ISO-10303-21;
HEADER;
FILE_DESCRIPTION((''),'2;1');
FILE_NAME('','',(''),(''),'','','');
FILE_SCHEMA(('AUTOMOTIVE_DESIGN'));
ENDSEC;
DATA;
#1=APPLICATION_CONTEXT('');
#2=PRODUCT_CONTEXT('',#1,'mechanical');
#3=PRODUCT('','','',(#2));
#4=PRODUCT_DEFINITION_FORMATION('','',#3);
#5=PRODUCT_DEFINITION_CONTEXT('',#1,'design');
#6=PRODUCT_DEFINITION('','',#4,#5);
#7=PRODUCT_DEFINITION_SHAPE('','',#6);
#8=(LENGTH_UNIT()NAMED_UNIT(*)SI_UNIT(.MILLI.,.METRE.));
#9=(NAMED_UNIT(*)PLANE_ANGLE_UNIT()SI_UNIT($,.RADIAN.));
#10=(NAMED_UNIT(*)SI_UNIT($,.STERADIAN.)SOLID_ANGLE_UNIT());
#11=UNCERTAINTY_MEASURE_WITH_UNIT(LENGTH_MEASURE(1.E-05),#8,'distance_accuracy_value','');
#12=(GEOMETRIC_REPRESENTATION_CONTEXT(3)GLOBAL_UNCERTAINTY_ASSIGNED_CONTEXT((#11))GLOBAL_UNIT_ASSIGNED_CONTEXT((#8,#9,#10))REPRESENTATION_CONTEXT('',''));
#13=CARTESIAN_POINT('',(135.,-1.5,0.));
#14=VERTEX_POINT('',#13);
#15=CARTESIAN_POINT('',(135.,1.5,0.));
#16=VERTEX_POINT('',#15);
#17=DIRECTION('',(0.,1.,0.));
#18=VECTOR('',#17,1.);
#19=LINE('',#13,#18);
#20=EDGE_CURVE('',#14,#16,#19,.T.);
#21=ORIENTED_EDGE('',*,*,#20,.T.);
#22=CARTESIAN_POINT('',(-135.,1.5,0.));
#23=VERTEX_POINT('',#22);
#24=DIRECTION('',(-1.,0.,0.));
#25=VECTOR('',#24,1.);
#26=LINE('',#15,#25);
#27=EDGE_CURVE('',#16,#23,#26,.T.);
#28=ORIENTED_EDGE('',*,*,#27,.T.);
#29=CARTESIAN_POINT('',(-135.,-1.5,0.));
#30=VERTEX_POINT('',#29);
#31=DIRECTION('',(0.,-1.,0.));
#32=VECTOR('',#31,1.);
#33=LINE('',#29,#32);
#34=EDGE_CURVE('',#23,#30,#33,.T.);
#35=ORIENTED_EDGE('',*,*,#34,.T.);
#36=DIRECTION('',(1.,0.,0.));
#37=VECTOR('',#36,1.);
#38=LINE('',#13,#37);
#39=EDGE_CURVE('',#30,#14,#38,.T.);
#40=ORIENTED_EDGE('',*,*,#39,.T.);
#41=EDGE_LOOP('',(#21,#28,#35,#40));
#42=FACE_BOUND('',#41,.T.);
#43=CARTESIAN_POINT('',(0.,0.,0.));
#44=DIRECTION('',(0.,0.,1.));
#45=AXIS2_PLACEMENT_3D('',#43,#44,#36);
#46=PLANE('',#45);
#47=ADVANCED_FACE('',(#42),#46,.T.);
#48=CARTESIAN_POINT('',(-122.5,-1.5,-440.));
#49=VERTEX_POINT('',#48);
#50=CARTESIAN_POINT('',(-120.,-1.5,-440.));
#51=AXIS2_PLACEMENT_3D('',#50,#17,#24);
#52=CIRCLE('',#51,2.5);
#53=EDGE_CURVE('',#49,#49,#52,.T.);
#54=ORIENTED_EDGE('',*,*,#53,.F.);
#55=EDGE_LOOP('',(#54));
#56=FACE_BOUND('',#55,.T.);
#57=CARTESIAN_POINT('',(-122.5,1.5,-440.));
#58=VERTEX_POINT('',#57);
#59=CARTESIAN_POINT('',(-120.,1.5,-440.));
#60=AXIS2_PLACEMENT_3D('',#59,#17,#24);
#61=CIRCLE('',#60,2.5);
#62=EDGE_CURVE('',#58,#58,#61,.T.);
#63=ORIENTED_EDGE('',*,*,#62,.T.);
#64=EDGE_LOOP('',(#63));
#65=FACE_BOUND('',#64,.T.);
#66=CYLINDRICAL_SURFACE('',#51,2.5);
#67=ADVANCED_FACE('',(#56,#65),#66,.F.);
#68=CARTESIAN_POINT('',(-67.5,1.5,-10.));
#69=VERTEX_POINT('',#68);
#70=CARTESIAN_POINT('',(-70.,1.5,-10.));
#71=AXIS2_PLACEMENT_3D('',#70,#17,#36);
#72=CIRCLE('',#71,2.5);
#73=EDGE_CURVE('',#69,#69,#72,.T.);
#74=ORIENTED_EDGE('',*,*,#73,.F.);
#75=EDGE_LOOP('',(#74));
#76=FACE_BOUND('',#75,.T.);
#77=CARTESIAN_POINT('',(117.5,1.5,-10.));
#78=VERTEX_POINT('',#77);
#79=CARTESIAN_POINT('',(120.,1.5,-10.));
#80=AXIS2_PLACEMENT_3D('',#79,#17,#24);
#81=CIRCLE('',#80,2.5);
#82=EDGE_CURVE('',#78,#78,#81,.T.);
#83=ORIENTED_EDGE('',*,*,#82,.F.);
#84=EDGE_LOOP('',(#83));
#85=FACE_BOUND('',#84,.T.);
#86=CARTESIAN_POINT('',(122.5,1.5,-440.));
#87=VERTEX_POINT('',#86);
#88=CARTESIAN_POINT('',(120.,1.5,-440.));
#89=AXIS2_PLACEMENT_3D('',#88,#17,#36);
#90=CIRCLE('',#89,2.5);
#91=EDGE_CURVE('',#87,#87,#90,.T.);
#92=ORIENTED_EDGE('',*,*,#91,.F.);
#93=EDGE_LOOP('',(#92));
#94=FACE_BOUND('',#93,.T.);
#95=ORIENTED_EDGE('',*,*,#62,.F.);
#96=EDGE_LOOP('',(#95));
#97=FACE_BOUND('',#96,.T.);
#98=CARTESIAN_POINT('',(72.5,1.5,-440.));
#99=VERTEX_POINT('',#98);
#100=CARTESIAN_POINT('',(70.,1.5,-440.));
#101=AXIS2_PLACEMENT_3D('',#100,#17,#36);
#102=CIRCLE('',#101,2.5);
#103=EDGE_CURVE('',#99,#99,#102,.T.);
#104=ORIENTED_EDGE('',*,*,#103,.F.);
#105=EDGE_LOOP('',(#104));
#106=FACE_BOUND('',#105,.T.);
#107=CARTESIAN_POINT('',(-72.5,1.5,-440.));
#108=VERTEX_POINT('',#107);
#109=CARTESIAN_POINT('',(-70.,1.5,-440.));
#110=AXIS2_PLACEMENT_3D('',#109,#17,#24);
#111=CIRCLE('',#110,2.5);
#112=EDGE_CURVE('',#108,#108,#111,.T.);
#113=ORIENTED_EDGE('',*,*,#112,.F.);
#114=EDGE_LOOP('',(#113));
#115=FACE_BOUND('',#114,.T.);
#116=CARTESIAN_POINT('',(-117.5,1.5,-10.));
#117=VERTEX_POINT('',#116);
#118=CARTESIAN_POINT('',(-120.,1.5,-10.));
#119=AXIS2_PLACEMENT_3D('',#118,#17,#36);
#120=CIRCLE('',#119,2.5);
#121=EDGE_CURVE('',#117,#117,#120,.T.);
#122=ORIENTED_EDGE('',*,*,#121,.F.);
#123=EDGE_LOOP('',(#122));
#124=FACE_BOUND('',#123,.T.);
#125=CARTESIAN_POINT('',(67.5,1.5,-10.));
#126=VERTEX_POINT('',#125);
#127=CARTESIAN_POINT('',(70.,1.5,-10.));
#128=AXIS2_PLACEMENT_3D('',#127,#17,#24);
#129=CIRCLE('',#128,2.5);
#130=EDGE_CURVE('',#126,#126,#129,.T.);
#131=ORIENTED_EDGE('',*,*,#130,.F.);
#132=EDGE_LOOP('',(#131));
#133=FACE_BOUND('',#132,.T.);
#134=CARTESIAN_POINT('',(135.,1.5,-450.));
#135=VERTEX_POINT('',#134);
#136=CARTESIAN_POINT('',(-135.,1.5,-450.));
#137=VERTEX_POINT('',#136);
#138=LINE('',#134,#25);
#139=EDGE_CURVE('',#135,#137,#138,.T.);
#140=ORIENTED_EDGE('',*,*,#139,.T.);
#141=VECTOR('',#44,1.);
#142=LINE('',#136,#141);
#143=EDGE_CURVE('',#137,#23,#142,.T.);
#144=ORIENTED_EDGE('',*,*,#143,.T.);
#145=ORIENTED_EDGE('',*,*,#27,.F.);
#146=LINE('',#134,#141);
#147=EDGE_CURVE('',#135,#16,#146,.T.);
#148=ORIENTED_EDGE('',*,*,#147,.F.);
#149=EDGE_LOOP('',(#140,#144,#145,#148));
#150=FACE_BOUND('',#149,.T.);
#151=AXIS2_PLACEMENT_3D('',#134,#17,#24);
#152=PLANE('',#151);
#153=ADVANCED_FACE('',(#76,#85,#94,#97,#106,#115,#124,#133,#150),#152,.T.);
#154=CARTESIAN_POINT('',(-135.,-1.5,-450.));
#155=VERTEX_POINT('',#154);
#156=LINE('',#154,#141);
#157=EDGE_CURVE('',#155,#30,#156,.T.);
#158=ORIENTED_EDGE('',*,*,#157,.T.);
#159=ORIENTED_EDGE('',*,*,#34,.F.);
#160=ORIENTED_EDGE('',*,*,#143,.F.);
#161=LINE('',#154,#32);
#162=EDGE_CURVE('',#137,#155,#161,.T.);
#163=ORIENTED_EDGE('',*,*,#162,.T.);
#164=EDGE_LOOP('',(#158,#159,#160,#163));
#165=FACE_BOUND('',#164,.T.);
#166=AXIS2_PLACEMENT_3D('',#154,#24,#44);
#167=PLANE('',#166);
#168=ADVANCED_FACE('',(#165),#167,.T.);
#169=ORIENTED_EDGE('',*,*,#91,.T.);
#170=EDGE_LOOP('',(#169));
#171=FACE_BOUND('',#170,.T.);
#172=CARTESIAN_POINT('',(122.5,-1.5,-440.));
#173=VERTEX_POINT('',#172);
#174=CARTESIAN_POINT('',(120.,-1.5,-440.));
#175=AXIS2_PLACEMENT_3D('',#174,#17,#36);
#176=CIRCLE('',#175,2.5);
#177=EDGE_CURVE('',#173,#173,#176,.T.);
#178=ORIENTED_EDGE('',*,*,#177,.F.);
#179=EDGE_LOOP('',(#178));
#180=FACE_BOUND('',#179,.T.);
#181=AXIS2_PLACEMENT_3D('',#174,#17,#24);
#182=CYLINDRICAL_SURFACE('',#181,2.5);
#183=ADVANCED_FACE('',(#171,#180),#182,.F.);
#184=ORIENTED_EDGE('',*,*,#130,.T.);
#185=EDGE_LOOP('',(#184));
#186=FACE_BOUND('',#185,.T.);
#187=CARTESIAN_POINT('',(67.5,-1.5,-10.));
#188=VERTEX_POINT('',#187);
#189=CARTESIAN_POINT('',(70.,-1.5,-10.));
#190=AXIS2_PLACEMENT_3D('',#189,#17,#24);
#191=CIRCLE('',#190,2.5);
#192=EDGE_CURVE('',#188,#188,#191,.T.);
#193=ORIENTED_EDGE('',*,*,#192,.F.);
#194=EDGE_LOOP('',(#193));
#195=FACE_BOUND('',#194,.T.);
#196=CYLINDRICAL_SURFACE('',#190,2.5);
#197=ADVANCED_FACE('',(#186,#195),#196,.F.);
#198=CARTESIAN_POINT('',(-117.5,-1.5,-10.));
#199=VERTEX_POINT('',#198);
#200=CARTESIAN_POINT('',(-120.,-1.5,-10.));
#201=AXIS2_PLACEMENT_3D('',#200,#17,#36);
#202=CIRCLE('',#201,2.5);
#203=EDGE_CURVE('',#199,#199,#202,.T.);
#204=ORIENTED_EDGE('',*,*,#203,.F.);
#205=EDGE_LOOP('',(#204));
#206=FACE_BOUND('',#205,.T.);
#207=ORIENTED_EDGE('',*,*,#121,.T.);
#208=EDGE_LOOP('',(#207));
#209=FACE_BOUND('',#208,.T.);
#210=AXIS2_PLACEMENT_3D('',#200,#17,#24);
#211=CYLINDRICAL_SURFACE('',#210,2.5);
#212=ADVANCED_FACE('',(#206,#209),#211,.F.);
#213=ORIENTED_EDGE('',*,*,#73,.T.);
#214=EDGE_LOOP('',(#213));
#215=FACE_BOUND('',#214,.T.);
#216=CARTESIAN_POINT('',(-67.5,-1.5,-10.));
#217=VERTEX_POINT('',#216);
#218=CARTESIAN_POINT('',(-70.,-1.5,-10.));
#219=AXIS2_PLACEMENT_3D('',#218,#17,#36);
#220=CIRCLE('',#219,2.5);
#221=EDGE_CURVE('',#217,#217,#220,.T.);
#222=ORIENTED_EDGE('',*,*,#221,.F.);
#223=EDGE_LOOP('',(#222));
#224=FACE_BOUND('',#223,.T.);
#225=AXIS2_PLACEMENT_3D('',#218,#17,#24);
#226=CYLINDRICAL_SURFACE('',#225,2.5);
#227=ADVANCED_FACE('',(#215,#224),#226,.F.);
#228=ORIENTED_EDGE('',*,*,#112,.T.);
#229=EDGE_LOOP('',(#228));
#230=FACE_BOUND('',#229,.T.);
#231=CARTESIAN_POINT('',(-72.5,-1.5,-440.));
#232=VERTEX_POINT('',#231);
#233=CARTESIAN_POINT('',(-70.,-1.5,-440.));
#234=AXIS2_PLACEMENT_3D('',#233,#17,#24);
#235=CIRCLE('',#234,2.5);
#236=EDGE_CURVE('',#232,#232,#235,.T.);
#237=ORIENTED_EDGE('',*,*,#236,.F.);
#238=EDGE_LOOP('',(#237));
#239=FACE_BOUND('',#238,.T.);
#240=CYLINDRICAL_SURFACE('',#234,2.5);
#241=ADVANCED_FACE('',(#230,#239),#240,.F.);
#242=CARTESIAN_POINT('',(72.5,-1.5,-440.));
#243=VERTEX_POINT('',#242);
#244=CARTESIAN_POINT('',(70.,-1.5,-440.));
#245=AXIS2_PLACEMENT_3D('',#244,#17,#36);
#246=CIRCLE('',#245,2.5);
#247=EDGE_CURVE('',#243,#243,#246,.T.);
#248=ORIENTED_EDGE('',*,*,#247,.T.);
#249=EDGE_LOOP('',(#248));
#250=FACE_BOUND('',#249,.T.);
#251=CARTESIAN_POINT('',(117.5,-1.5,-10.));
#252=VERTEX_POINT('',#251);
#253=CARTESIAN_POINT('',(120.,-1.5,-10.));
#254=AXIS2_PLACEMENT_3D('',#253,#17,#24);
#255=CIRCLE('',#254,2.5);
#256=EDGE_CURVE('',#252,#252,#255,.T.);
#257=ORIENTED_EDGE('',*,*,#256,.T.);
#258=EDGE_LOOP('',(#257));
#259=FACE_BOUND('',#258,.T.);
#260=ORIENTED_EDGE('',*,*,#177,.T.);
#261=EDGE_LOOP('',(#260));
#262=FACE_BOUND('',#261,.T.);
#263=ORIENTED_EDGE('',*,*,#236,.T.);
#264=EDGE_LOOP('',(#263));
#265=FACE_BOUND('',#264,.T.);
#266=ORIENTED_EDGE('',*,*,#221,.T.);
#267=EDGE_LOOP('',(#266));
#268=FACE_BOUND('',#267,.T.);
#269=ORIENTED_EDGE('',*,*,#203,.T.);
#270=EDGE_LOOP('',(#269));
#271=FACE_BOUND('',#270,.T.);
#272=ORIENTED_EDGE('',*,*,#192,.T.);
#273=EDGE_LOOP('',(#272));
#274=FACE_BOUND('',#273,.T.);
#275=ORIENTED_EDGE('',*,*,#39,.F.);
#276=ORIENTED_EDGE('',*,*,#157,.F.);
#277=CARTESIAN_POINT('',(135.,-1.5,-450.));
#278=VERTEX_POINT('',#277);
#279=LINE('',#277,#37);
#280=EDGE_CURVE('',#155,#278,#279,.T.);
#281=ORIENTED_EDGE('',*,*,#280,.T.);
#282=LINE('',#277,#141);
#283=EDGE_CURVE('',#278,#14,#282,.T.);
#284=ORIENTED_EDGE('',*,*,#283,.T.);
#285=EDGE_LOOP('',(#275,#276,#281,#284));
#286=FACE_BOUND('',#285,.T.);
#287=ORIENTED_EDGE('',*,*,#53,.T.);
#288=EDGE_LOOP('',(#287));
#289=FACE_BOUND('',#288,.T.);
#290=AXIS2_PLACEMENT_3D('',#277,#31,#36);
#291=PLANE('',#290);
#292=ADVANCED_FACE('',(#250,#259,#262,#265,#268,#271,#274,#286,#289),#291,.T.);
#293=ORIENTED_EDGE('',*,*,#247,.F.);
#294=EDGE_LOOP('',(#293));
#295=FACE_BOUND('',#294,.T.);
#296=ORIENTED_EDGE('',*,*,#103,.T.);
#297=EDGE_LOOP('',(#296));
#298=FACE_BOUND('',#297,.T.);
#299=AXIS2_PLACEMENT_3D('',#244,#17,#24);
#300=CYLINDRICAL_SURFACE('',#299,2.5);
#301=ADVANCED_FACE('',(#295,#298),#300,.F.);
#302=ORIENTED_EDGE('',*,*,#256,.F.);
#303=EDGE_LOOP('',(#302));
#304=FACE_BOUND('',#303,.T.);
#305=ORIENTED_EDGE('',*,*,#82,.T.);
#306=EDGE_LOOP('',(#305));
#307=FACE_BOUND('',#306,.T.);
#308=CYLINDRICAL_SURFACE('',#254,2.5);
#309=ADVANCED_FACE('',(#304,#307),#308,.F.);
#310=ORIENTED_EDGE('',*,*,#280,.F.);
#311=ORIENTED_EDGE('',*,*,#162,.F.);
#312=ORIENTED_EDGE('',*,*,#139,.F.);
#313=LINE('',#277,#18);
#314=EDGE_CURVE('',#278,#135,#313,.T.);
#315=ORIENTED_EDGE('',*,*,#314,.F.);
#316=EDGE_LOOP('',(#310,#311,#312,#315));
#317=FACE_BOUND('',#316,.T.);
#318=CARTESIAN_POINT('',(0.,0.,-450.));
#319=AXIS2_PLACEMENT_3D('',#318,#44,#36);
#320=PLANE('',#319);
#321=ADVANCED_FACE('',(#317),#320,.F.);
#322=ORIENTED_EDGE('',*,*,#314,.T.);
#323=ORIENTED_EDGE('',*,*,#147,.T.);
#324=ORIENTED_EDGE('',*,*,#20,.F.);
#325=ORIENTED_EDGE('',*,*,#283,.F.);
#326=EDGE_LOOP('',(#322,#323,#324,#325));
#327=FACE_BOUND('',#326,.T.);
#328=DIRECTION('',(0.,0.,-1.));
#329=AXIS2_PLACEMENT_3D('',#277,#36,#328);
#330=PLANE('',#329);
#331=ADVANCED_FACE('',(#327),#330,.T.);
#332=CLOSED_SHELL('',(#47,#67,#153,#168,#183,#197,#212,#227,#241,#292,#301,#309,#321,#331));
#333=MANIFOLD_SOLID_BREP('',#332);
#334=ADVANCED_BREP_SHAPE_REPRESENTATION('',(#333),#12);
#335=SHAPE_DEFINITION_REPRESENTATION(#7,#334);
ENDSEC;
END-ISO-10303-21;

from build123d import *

# Parameters (mm, degrees)
SKETCH1_W           = 270
SKETCH1_H           = 3
BOSS_EXTRUDE1_DEPTH = 450
SKETCH2_R           = 2.5
CUT_EXTRUDE1_DEPTH  = 4


with BuildPart() as part:
    # Sketch1 → Boss-Extrude1 (new body)
    with BuildSketch(Plane.XY):
        Rectangle(SKETCH1_W, SKETCH1_H)
    extrude(amount=-BOSS_EXTRUDE1_DEPTH)

    # Sketch2 → Cut-Extrude1 (cut, through all)
    with BuildSketch(Plane(origin=(0, 1.5, 0), x_dir=(1, 0, 0), z_dir=(0, 1, 0))):
        with Locations((-120, 440)):
            Circle(SKETCH2_R)
        with Locations((-70, 440)):
            Circle(SKETCH2_R)
        with Locations((70, 440)):
            Circle(SKETCH2_R)
        with Locations((120, 440)):
            Circle(SKETCH2_R)
        with Locations((120, 10)):
            Circle(SKETCH2_R)
        with Locations((70, 10)):
            Circle(SKETCH2_R)
        with Locations((-70, 10)):
            Circle(SKETCH2_R)
        with Locations((-120, 10)):
            Circle(SKETCH2_R)
    extrude(amount=-CUT_EXTRUDE1_DEPTH, mode=Mode.SUBTRACT)


solid = part.part
